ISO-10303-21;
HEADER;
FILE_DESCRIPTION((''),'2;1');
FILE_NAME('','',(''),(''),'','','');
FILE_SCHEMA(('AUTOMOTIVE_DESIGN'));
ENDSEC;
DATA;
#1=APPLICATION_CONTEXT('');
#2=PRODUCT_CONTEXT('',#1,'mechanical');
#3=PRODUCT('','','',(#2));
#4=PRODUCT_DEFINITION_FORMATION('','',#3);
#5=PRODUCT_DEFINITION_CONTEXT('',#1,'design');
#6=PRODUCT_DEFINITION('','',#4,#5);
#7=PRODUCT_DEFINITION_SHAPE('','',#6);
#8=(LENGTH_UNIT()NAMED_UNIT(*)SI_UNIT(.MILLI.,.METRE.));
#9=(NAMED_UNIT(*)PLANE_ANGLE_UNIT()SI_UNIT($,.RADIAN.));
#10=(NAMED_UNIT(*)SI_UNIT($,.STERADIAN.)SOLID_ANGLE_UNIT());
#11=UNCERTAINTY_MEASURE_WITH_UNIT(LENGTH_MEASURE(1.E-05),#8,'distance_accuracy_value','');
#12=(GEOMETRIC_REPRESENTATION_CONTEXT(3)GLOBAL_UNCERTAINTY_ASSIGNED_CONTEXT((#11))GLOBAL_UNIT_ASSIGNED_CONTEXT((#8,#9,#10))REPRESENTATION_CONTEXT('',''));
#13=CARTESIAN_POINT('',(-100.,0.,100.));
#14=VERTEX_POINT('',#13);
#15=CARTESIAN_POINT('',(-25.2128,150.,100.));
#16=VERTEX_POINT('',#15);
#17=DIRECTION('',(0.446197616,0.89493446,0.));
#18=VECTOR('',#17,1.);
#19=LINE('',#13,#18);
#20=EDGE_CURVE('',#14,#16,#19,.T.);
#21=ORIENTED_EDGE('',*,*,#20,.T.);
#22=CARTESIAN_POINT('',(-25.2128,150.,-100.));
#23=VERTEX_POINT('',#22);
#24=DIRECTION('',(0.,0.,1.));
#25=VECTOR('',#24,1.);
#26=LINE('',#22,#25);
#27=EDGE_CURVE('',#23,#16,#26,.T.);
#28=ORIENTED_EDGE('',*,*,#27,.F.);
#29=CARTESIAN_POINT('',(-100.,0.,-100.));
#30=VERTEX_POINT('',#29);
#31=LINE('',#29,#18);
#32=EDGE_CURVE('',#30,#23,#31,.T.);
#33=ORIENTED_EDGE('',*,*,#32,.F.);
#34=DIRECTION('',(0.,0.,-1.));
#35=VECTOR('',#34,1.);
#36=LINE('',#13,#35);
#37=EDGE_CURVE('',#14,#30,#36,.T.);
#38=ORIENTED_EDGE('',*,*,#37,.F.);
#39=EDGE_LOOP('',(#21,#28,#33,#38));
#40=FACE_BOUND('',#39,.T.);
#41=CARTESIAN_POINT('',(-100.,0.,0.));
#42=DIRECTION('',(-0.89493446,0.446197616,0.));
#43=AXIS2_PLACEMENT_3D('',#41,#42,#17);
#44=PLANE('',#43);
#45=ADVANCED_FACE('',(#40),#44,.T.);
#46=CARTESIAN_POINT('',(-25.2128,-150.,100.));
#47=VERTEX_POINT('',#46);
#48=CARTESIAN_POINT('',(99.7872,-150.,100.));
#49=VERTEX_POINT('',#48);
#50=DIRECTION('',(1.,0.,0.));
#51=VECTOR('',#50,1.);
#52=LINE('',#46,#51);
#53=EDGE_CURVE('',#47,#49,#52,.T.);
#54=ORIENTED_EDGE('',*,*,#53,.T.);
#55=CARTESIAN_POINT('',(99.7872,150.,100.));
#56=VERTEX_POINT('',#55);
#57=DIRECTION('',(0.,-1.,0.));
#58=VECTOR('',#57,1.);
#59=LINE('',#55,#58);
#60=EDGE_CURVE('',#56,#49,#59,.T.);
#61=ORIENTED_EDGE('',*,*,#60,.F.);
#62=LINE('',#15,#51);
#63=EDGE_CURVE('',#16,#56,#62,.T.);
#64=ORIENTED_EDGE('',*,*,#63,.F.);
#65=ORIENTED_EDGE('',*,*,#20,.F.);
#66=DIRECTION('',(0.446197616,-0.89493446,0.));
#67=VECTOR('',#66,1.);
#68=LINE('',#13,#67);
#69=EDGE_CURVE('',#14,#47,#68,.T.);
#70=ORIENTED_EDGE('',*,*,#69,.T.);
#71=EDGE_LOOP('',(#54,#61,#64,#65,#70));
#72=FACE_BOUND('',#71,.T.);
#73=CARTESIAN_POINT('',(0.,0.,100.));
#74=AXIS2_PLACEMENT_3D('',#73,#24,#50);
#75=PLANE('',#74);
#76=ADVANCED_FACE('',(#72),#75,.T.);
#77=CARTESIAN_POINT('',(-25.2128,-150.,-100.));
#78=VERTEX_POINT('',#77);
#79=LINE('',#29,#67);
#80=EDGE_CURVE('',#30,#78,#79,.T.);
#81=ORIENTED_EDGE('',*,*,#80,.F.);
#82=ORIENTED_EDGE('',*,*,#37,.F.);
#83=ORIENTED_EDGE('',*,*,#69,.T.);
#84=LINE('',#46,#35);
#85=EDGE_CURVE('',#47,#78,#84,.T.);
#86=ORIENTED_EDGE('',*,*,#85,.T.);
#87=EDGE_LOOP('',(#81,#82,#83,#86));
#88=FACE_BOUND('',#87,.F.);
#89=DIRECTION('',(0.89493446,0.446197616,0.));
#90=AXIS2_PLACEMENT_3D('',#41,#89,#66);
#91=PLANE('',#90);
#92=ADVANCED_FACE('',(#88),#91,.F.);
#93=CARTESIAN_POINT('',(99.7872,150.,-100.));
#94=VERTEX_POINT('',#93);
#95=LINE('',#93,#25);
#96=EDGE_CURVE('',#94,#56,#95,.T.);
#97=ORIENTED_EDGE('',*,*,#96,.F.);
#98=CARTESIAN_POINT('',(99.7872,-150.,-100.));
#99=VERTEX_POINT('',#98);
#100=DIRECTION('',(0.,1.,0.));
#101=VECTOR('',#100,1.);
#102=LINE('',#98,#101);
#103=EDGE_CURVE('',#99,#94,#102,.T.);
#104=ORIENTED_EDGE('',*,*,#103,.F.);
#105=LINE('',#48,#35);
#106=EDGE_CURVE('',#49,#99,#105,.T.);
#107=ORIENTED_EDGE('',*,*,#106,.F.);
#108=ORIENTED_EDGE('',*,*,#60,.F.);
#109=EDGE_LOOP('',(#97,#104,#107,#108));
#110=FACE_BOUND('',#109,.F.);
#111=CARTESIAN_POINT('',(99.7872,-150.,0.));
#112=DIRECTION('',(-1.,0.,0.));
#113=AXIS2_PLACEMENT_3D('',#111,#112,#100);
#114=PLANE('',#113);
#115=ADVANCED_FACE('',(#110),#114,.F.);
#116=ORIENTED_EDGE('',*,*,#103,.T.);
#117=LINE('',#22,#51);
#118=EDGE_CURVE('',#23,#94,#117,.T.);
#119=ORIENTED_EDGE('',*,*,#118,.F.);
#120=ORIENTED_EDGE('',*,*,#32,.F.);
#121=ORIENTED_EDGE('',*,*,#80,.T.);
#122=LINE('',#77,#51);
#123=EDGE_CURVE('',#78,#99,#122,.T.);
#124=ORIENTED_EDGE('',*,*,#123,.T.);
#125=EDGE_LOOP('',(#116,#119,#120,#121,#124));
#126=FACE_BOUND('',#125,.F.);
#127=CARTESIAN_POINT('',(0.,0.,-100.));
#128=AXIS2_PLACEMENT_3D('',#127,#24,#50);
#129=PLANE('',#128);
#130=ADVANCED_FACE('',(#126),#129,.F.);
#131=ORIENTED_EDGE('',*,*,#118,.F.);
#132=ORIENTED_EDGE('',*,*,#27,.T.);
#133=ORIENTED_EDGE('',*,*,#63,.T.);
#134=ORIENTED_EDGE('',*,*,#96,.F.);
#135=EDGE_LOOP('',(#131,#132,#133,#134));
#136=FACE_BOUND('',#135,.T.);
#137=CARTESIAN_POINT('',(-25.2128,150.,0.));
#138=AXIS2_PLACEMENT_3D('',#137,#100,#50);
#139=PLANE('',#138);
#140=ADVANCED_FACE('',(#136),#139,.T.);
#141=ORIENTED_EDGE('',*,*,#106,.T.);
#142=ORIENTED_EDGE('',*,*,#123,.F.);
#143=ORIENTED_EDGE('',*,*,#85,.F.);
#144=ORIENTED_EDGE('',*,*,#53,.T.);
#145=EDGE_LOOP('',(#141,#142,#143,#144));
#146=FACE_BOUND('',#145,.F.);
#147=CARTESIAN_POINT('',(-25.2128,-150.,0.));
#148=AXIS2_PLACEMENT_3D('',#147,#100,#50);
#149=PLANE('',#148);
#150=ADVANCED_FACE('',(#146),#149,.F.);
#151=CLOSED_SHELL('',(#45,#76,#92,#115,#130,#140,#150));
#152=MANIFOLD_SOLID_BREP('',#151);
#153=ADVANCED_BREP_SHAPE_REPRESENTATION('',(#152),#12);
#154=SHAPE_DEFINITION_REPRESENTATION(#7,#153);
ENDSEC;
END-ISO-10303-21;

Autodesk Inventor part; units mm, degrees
ref_plane "YZ Plane" through (0, 0, 0) normal (1, 0, 0) x (0, 1, 0)
ref_plane "XZ Plane" through (0, 0, 0) normal (0, 1, 0) x (-1, 0, 0)
ref_plane "XY Plane" through (0, 0, 0) normal (0, 0, 1) x (1, 0, 0)
sketch "HandProfile" plane through (0, 0, 0) normal (0, 0, 1) x (1, 0, 0)
  line L0 (-100, 0) -> (-25.2128, 150)
  line L1 (-25.2128, 150) -> (99.7872, 150)
  line L2 (99.7872, 150) -> (99.7872, 0)
  line L3 (99.7872, 0) -> (-100, 0) construction
  line L4 (-100, 0) -> (-25.2128, -150)
  line L5 (-25.2128, -150) -> (99.7872, -150)
  line L6 (99.7872, -150) -> (99.7872, 0)
  line L7 (-139.9574, 0) -> (139.7447, 0) projected
  point P0 (0, 0)
  dimension "d0" = 127
  dimension "d1" = 125
  dimension "d4" = 300
  dimension "d5" = 100
extrude "Hand" add sketch "HandProfile" along normal mid plane 200
properties part number "hand" material "ABS Plastic"
